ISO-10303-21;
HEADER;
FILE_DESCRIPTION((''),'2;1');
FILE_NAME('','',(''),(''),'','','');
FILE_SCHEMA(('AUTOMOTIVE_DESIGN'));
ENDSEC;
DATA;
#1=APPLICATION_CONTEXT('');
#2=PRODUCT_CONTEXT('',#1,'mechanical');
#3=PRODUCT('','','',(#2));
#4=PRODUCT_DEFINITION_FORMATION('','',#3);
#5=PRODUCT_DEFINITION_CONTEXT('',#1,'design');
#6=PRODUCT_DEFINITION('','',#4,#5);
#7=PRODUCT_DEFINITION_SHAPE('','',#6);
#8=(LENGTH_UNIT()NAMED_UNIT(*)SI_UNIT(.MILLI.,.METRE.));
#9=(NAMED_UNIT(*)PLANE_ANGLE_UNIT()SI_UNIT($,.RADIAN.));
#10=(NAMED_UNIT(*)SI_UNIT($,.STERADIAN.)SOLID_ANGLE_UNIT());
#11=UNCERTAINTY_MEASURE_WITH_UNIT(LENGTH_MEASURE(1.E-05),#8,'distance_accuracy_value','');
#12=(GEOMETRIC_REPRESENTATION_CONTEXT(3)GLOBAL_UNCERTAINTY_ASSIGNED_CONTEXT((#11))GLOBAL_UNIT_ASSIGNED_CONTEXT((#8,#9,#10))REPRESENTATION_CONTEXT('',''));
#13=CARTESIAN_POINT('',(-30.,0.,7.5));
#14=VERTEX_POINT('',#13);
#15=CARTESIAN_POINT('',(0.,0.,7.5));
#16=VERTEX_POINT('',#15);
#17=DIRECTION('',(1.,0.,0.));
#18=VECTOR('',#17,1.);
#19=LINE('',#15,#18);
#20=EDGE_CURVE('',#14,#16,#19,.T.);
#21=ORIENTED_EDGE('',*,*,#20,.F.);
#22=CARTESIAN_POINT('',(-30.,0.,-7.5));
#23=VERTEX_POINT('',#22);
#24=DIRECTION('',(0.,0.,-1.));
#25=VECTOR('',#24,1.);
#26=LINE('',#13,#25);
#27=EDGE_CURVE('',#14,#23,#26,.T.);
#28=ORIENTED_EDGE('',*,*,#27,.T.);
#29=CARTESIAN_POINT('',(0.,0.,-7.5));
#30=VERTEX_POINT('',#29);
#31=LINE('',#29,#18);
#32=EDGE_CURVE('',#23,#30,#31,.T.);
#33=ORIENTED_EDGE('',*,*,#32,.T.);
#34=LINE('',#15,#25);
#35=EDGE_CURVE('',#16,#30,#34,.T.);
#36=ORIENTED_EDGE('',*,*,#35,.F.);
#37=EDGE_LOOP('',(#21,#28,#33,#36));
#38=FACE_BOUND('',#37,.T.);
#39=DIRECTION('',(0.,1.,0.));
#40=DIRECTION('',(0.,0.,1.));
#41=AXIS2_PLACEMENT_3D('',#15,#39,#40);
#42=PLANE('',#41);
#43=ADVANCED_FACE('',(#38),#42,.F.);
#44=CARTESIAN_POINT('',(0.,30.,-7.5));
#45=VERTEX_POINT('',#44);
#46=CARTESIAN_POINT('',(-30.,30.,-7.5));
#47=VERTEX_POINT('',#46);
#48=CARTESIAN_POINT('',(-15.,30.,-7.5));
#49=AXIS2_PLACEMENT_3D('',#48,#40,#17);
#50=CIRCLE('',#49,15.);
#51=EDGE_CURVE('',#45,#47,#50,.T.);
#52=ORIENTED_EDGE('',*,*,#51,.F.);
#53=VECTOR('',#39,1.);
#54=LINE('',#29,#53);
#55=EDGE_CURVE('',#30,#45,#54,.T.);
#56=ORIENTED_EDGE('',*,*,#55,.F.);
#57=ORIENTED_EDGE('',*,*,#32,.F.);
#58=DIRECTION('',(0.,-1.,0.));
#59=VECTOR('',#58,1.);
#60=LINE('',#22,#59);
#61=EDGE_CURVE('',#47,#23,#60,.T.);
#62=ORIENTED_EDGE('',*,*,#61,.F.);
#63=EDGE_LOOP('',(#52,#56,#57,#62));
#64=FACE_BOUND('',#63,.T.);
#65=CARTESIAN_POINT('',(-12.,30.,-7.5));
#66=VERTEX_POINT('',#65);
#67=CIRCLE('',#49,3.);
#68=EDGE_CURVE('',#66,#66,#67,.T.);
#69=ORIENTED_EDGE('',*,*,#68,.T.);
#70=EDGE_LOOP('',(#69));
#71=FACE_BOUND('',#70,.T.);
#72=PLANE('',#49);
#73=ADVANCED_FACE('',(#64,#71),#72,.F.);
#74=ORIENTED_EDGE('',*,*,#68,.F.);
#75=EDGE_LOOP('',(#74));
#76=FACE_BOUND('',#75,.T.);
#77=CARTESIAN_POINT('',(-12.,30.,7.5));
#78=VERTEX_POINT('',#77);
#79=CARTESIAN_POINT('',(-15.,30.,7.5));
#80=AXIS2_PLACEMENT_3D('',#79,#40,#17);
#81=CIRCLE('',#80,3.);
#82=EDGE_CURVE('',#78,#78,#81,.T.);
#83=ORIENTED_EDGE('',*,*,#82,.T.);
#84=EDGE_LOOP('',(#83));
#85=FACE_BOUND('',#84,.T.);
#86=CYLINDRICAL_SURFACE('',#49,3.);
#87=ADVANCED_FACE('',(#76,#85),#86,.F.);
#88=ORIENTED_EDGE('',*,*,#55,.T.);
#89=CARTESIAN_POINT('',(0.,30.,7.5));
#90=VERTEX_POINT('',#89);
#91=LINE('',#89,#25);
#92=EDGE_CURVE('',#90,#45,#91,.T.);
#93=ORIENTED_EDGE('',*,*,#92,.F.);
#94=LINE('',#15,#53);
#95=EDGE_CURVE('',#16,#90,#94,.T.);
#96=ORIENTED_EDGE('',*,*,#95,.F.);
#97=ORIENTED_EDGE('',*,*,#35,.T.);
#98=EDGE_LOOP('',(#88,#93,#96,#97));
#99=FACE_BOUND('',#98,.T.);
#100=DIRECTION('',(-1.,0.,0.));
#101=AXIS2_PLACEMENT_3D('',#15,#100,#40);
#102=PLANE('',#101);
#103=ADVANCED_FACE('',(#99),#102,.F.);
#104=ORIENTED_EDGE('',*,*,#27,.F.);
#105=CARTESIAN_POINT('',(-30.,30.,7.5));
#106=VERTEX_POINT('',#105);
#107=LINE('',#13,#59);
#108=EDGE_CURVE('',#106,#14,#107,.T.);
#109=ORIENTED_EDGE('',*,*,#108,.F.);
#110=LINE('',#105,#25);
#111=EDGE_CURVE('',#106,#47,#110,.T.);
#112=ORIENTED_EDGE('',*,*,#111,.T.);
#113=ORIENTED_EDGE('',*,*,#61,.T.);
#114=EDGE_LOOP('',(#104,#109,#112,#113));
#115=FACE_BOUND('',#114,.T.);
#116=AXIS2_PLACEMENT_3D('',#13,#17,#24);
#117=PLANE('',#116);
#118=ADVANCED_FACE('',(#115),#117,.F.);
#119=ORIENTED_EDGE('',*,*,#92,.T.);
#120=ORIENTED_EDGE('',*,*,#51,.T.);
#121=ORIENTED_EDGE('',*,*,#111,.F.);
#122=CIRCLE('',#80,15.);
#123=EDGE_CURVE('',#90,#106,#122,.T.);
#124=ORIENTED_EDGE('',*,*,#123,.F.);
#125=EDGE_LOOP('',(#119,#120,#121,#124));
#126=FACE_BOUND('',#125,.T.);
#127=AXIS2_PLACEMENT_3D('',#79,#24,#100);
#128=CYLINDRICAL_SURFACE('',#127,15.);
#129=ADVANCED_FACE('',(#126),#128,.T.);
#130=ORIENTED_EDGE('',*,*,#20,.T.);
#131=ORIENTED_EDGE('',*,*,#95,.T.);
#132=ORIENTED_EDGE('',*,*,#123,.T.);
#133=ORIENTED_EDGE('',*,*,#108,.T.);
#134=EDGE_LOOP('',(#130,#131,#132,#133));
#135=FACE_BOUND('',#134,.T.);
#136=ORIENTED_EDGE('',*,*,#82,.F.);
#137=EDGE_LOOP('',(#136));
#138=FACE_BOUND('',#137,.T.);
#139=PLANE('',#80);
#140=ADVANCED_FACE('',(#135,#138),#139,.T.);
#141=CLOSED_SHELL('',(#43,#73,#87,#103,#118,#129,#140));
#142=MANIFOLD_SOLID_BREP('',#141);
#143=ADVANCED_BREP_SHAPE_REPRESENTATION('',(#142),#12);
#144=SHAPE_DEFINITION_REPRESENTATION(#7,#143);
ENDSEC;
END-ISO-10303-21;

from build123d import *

# Parameters (mm, degrees)
SALIENTE_EXTRUIR1_DEPTH = 7.5
CROQUIS3_R              = 3
CORTAR_EXTRUIR1_DEPTH   = 57.124860802


with BuildPart() as part:
    # Croquis2 → Saliente-Extruir1 (new, symmetric)
    with BuildSketch(Plane.XY):
        with BuildLine():
            Line((0, 0), (-30, 0))
            Line((-30, 0), (-30, 30))
            ThreePointArc((-30, 30), (-15, 45), (0, 30))
            Line((0, 30), (0, 0))
        make_face()
    extrude(amount=SALIENTE_EXTRUIR1_DEPTH, both=True)

    # Croquis3 → Cortar-Extruir1 (cut, through all)
    with BuildSketch(Plane.XY.offset(7.5)):
        with Locations((-15, 30)):
            Circle(CROQUIS3_R)
    extrude(amount=-CORTAR_EXTRUIR1_DEPTH, mode=Mode.SUBTRACT)


solid = part.part
